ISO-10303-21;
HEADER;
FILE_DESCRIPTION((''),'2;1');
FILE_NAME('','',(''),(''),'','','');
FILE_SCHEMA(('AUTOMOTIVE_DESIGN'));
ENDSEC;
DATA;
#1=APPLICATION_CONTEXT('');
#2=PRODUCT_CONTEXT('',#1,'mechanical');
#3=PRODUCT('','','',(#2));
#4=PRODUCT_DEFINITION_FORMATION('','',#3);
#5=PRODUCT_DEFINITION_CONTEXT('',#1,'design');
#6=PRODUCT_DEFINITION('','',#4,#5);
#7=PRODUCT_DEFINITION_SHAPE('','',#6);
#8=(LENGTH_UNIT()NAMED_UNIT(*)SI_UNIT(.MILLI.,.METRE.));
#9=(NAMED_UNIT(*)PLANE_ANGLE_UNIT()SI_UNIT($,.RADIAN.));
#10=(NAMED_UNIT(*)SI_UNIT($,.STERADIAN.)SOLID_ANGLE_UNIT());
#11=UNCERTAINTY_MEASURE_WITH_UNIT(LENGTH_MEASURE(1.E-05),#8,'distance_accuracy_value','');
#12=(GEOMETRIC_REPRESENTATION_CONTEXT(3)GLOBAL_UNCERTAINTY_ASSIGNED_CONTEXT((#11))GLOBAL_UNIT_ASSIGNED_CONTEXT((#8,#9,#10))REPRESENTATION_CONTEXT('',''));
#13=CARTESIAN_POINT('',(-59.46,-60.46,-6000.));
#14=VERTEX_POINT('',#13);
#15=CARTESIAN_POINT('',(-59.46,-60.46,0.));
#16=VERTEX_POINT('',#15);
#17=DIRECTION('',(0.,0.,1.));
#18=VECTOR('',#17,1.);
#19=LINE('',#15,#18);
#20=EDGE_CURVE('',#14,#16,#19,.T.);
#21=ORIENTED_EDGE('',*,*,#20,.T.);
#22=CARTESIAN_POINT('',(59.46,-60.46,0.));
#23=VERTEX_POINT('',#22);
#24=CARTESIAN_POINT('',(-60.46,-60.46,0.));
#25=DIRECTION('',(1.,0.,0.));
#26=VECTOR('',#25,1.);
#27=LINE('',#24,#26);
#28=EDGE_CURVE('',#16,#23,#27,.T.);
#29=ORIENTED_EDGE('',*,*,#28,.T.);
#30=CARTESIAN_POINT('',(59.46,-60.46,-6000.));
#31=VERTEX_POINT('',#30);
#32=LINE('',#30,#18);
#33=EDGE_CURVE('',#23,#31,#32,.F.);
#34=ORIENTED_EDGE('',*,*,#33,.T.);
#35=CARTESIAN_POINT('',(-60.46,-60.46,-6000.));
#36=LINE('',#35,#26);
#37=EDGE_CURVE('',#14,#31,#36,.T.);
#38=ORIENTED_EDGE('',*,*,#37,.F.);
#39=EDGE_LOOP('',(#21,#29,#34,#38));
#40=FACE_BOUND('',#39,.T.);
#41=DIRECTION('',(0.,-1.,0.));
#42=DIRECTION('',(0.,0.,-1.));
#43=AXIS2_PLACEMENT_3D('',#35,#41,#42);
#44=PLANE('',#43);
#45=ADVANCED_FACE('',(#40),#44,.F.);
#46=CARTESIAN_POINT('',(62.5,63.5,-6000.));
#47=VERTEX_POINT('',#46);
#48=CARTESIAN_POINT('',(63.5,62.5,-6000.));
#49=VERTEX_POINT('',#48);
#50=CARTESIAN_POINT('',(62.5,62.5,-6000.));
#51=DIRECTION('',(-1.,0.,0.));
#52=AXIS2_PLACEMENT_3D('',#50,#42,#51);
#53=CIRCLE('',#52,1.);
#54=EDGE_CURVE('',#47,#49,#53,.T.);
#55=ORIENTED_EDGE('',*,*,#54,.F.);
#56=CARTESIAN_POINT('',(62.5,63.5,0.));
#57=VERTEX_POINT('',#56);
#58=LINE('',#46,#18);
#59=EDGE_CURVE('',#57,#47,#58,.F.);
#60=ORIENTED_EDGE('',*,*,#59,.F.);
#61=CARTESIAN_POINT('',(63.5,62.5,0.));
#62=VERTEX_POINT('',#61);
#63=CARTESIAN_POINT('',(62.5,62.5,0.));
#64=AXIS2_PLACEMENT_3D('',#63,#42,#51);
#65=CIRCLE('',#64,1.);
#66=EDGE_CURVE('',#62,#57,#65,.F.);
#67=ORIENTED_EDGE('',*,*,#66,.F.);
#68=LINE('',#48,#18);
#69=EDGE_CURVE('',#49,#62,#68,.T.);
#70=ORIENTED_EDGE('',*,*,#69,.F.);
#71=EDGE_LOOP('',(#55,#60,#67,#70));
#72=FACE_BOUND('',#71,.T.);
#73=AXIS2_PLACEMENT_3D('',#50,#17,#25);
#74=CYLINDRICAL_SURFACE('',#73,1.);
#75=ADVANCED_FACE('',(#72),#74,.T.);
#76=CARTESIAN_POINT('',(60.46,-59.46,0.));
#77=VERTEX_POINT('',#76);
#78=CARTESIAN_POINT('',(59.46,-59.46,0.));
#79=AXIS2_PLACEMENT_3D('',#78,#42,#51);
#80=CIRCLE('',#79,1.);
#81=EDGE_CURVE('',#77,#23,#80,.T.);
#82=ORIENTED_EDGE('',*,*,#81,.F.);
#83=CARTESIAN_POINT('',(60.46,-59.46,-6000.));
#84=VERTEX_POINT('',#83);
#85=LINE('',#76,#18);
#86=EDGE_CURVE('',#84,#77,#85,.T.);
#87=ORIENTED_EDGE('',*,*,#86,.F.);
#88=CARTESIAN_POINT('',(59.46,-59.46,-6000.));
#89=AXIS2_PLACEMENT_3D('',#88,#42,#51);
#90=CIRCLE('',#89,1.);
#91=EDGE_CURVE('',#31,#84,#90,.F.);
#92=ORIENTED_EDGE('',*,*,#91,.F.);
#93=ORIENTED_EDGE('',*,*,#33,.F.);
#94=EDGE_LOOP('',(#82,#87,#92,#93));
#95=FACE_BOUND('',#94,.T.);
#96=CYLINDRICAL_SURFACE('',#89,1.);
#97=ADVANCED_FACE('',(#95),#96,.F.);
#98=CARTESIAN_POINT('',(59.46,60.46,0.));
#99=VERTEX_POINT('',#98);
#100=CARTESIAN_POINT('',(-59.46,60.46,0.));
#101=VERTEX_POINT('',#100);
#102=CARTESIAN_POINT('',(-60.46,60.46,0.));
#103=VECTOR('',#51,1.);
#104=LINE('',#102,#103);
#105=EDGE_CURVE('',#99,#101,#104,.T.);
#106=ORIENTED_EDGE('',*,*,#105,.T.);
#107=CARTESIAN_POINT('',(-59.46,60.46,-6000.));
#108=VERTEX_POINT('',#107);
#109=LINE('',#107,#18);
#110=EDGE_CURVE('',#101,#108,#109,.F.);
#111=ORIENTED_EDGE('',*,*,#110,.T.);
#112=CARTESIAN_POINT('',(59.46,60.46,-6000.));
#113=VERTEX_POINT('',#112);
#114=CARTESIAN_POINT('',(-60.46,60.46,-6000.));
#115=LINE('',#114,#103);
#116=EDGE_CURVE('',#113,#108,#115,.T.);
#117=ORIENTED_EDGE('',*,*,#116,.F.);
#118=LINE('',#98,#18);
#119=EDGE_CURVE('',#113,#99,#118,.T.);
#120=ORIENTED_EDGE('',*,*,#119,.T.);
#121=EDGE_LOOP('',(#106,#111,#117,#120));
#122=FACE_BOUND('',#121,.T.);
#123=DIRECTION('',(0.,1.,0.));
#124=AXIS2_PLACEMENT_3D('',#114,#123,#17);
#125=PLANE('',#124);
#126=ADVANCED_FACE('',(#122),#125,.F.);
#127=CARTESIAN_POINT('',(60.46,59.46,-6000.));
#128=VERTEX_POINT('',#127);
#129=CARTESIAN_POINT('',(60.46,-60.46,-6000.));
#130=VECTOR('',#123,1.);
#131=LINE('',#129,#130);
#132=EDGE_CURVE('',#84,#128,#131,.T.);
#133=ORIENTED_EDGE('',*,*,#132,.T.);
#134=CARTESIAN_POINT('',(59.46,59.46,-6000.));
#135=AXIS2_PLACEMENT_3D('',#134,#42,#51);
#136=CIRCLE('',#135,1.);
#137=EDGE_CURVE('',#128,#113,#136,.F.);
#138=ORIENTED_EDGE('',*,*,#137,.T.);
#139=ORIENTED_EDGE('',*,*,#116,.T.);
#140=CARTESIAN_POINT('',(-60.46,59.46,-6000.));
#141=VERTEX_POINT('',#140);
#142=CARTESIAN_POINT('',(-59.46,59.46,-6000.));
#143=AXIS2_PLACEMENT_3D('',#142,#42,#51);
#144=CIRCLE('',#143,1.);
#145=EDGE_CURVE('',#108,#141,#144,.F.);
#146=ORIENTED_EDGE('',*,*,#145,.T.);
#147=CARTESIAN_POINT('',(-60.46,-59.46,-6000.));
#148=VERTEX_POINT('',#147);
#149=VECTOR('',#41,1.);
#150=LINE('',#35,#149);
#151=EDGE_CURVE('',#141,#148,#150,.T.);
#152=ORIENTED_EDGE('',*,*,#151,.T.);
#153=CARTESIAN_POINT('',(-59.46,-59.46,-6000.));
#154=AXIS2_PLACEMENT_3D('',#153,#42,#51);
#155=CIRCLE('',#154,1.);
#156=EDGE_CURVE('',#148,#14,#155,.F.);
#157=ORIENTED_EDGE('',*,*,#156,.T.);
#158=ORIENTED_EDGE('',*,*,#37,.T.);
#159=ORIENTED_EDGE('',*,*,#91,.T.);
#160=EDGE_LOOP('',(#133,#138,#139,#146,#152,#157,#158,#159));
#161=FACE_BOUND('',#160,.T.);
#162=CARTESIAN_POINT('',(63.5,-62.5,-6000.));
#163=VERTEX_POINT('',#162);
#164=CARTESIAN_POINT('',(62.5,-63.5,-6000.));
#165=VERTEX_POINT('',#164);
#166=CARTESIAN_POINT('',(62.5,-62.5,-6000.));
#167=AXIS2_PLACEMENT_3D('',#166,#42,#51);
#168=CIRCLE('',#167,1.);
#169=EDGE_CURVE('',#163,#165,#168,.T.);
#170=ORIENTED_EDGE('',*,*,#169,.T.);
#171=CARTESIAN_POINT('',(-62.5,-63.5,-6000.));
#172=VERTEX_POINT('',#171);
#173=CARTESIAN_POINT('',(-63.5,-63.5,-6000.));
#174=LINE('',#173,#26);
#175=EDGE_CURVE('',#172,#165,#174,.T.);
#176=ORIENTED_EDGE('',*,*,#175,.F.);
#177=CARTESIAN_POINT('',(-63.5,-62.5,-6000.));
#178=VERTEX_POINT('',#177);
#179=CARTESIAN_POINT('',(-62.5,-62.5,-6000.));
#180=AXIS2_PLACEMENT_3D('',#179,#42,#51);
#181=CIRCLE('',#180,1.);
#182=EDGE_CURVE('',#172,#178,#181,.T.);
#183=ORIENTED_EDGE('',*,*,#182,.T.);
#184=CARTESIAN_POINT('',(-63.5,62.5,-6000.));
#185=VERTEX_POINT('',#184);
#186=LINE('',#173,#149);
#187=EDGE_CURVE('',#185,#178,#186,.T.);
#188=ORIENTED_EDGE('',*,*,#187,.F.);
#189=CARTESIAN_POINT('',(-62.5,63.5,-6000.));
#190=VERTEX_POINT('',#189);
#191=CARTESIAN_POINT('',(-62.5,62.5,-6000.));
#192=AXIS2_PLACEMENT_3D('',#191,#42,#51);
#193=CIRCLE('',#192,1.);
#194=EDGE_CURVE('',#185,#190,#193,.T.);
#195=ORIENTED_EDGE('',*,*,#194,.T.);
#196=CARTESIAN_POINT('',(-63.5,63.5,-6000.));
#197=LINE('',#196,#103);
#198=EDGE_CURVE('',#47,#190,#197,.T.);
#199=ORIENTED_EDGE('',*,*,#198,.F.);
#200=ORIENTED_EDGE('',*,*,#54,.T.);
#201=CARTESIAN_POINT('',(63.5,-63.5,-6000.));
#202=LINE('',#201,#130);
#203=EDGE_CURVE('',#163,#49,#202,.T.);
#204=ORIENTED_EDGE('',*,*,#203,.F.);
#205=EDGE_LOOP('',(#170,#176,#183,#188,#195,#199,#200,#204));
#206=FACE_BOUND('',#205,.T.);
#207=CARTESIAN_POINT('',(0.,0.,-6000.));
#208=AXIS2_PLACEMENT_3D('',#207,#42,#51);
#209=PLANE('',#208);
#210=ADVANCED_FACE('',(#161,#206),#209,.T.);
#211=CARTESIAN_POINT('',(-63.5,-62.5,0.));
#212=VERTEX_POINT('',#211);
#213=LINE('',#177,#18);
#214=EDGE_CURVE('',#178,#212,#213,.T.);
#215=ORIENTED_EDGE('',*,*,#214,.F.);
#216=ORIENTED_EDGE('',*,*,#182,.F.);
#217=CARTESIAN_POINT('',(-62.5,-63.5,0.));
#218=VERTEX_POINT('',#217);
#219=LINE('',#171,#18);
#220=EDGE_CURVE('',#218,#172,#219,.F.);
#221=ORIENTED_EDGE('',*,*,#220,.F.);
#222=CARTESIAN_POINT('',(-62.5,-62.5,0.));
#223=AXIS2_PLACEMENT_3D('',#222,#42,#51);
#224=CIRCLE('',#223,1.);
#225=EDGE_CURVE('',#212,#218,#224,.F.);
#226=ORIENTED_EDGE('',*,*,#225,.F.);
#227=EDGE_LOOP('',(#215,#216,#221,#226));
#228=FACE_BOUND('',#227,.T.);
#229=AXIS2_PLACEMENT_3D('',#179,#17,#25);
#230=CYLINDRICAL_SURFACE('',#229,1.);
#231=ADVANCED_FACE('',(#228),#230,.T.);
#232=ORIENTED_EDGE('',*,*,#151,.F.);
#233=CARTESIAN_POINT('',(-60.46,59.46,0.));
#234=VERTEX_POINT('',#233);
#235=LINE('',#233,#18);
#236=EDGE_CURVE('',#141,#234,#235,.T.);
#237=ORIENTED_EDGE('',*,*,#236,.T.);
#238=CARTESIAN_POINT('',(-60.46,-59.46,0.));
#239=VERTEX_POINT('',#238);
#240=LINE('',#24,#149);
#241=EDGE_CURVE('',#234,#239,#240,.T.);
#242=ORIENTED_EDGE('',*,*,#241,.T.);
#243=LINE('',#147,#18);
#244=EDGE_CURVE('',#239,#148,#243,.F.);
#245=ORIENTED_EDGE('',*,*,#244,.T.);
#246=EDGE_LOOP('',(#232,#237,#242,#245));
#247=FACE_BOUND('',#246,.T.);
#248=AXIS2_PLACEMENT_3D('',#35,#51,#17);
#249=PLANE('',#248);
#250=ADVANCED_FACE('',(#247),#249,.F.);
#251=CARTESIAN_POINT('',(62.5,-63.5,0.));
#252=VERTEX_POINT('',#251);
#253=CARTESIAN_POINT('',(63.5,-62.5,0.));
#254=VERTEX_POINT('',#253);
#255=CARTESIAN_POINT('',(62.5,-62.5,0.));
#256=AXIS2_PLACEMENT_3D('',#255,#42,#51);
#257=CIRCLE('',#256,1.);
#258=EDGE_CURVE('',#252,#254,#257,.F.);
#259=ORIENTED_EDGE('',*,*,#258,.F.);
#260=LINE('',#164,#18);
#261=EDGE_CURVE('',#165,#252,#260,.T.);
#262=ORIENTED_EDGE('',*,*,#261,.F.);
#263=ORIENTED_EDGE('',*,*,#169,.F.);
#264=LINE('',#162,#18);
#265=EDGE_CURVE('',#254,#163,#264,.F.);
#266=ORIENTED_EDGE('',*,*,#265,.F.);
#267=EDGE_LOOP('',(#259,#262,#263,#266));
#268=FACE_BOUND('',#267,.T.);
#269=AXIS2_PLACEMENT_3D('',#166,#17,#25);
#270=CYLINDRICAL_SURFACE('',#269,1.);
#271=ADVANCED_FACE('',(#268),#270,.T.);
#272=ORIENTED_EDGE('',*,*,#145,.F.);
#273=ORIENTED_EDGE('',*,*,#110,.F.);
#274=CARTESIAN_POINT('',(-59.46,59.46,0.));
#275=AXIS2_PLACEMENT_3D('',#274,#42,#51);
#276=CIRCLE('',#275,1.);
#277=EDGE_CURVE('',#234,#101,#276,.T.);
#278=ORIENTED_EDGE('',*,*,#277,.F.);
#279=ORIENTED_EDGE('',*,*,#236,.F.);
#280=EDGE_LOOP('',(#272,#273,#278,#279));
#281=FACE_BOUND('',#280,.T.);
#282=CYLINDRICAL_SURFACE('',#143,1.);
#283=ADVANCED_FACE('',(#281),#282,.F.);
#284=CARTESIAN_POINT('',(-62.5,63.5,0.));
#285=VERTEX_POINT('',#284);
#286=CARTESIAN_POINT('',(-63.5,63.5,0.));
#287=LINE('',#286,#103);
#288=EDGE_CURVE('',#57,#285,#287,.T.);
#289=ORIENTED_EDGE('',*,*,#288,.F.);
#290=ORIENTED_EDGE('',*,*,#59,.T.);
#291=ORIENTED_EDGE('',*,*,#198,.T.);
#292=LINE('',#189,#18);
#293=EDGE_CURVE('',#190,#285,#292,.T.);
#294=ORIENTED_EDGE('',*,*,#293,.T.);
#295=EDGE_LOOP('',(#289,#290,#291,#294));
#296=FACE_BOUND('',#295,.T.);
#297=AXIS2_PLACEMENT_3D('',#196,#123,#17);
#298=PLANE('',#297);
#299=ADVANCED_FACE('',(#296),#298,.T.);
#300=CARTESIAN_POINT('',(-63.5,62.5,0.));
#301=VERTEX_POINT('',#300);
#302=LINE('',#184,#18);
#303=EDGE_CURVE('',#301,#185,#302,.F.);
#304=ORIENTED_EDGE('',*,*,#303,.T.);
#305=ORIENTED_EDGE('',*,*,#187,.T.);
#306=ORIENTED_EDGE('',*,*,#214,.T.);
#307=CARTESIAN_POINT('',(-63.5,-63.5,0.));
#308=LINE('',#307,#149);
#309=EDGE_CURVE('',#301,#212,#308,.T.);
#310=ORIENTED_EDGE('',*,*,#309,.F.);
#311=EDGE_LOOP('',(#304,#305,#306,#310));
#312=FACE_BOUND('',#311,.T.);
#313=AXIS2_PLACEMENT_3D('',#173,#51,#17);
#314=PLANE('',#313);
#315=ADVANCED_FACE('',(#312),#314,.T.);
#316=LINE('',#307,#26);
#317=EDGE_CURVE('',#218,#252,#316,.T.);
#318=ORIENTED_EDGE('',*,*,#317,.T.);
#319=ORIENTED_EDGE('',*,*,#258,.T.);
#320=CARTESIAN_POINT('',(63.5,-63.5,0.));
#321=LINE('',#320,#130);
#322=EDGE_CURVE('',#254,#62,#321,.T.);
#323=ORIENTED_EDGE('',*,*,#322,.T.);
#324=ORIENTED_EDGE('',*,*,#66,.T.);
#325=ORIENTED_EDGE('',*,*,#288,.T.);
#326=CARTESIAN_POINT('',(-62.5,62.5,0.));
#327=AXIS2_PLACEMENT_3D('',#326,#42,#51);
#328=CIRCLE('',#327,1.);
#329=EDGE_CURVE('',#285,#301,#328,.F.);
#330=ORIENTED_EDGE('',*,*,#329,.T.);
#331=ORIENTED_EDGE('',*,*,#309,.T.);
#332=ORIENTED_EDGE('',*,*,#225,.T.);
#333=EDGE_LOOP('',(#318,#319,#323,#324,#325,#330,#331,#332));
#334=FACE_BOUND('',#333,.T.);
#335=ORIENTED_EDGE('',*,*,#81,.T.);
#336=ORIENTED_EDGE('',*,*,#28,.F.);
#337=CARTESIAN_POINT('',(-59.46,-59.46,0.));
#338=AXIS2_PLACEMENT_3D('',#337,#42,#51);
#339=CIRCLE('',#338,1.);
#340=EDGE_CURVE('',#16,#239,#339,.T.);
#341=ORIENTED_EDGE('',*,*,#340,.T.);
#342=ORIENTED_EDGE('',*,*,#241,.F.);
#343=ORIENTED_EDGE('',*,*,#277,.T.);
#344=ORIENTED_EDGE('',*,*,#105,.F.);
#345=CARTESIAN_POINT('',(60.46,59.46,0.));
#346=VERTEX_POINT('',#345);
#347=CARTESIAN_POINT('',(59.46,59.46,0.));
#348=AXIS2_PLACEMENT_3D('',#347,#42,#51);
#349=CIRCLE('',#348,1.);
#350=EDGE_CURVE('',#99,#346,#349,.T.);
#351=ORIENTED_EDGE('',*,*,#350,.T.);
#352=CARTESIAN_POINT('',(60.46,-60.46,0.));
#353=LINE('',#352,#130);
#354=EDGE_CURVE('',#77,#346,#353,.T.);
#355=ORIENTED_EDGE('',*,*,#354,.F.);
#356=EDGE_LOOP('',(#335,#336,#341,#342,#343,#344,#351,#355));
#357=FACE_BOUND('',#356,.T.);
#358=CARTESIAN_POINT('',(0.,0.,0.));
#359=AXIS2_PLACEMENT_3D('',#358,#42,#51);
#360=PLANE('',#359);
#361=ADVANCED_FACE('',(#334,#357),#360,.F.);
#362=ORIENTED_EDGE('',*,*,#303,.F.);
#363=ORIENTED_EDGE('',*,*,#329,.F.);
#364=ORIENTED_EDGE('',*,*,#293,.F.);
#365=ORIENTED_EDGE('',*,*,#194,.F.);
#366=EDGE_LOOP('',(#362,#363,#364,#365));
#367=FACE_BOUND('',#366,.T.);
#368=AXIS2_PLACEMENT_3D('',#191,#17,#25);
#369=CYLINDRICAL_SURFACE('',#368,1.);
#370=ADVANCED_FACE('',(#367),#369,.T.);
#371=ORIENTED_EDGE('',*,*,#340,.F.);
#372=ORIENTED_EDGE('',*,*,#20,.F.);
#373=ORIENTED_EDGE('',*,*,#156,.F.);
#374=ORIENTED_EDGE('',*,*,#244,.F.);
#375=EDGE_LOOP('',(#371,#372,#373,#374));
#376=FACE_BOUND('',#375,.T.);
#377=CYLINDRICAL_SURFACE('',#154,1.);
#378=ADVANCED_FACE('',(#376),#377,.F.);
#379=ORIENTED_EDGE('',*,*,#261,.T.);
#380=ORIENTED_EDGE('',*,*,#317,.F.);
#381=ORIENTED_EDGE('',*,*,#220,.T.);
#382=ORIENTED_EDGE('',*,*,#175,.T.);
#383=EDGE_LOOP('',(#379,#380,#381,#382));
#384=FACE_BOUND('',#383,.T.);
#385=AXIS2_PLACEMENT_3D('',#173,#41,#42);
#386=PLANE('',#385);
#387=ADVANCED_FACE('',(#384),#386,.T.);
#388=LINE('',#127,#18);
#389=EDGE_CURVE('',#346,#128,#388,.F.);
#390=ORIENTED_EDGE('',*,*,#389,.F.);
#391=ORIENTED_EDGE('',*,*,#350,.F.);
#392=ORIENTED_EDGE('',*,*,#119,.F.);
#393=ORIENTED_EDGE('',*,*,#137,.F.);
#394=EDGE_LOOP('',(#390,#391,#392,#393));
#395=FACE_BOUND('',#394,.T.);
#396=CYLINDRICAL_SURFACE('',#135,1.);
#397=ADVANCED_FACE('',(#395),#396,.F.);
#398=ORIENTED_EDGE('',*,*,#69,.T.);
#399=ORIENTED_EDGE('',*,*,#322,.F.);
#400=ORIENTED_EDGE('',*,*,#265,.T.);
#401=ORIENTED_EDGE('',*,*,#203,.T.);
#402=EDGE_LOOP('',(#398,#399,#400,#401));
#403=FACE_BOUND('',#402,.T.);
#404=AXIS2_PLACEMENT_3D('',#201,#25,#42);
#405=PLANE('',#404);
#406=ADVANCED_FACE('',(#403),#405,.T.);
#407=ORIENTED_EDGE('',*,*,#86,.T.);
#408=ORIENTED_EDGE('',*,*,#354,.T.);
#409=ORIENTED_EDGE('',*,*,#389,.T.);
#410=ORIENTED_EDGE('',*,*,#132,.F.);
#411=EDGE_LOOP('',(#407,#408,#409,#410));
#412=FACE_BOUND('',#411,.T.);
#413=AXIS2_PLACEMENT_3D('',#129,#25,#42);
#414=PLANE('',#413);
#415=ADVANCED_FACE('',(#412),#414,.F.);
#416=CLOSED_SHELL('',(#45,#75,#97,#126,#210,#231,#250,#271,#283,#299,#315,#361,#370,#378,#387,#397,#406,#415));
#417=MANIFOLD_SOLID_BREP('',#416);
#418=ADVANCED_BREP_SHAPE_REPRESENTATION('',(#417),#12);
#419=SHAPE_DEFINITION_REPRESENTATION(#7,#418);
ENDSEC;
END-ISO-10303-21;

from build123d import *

# Parameters (mm, degrees)
CROQUIS1_W              = 127
CROQUIS1_H              = 127
CROQUIS1_W_2            = 120.92
CROQUIS1_H_2            = 120.92
SALIENTE_EXTRUIR1_DEPTH = 6000
REDONDEO1_R             = 1


with BuildPart() as part:
    # Croquis1 → Saliente-Extruir1 (new body)
    with BuildSketch(Plane.XY):
        Rectangle(CROQUIS1_W, CROQUIS1_H)
        Rectangle(CROQUIS1_W_2, CROQUIS1_H_2, mode=Mode.SUBTRACT)
    extrude(amount=-SALIENTE_EXTRUIR1_DEPTH)

    # Redondeo1
    redondeo1_edges = [part.edges().sort_by_distance(p)[0] for p in [
        (60.46, -60.46, -3000),
        (-60.46, -60.46, -3000),
        (-60.46, 60.46, -3000),
        (60.46, 60.46, -3000),
        (63.5, -63.5, -3000),
        (-63.5, -63.5, -3000),
        (-63.5, 63.5, -3000),
        (63.5, 63.5, -3000),
    ]]
    fillet(redondeo1_edges, radius=REDONDEO1_R)


solid = part.part
